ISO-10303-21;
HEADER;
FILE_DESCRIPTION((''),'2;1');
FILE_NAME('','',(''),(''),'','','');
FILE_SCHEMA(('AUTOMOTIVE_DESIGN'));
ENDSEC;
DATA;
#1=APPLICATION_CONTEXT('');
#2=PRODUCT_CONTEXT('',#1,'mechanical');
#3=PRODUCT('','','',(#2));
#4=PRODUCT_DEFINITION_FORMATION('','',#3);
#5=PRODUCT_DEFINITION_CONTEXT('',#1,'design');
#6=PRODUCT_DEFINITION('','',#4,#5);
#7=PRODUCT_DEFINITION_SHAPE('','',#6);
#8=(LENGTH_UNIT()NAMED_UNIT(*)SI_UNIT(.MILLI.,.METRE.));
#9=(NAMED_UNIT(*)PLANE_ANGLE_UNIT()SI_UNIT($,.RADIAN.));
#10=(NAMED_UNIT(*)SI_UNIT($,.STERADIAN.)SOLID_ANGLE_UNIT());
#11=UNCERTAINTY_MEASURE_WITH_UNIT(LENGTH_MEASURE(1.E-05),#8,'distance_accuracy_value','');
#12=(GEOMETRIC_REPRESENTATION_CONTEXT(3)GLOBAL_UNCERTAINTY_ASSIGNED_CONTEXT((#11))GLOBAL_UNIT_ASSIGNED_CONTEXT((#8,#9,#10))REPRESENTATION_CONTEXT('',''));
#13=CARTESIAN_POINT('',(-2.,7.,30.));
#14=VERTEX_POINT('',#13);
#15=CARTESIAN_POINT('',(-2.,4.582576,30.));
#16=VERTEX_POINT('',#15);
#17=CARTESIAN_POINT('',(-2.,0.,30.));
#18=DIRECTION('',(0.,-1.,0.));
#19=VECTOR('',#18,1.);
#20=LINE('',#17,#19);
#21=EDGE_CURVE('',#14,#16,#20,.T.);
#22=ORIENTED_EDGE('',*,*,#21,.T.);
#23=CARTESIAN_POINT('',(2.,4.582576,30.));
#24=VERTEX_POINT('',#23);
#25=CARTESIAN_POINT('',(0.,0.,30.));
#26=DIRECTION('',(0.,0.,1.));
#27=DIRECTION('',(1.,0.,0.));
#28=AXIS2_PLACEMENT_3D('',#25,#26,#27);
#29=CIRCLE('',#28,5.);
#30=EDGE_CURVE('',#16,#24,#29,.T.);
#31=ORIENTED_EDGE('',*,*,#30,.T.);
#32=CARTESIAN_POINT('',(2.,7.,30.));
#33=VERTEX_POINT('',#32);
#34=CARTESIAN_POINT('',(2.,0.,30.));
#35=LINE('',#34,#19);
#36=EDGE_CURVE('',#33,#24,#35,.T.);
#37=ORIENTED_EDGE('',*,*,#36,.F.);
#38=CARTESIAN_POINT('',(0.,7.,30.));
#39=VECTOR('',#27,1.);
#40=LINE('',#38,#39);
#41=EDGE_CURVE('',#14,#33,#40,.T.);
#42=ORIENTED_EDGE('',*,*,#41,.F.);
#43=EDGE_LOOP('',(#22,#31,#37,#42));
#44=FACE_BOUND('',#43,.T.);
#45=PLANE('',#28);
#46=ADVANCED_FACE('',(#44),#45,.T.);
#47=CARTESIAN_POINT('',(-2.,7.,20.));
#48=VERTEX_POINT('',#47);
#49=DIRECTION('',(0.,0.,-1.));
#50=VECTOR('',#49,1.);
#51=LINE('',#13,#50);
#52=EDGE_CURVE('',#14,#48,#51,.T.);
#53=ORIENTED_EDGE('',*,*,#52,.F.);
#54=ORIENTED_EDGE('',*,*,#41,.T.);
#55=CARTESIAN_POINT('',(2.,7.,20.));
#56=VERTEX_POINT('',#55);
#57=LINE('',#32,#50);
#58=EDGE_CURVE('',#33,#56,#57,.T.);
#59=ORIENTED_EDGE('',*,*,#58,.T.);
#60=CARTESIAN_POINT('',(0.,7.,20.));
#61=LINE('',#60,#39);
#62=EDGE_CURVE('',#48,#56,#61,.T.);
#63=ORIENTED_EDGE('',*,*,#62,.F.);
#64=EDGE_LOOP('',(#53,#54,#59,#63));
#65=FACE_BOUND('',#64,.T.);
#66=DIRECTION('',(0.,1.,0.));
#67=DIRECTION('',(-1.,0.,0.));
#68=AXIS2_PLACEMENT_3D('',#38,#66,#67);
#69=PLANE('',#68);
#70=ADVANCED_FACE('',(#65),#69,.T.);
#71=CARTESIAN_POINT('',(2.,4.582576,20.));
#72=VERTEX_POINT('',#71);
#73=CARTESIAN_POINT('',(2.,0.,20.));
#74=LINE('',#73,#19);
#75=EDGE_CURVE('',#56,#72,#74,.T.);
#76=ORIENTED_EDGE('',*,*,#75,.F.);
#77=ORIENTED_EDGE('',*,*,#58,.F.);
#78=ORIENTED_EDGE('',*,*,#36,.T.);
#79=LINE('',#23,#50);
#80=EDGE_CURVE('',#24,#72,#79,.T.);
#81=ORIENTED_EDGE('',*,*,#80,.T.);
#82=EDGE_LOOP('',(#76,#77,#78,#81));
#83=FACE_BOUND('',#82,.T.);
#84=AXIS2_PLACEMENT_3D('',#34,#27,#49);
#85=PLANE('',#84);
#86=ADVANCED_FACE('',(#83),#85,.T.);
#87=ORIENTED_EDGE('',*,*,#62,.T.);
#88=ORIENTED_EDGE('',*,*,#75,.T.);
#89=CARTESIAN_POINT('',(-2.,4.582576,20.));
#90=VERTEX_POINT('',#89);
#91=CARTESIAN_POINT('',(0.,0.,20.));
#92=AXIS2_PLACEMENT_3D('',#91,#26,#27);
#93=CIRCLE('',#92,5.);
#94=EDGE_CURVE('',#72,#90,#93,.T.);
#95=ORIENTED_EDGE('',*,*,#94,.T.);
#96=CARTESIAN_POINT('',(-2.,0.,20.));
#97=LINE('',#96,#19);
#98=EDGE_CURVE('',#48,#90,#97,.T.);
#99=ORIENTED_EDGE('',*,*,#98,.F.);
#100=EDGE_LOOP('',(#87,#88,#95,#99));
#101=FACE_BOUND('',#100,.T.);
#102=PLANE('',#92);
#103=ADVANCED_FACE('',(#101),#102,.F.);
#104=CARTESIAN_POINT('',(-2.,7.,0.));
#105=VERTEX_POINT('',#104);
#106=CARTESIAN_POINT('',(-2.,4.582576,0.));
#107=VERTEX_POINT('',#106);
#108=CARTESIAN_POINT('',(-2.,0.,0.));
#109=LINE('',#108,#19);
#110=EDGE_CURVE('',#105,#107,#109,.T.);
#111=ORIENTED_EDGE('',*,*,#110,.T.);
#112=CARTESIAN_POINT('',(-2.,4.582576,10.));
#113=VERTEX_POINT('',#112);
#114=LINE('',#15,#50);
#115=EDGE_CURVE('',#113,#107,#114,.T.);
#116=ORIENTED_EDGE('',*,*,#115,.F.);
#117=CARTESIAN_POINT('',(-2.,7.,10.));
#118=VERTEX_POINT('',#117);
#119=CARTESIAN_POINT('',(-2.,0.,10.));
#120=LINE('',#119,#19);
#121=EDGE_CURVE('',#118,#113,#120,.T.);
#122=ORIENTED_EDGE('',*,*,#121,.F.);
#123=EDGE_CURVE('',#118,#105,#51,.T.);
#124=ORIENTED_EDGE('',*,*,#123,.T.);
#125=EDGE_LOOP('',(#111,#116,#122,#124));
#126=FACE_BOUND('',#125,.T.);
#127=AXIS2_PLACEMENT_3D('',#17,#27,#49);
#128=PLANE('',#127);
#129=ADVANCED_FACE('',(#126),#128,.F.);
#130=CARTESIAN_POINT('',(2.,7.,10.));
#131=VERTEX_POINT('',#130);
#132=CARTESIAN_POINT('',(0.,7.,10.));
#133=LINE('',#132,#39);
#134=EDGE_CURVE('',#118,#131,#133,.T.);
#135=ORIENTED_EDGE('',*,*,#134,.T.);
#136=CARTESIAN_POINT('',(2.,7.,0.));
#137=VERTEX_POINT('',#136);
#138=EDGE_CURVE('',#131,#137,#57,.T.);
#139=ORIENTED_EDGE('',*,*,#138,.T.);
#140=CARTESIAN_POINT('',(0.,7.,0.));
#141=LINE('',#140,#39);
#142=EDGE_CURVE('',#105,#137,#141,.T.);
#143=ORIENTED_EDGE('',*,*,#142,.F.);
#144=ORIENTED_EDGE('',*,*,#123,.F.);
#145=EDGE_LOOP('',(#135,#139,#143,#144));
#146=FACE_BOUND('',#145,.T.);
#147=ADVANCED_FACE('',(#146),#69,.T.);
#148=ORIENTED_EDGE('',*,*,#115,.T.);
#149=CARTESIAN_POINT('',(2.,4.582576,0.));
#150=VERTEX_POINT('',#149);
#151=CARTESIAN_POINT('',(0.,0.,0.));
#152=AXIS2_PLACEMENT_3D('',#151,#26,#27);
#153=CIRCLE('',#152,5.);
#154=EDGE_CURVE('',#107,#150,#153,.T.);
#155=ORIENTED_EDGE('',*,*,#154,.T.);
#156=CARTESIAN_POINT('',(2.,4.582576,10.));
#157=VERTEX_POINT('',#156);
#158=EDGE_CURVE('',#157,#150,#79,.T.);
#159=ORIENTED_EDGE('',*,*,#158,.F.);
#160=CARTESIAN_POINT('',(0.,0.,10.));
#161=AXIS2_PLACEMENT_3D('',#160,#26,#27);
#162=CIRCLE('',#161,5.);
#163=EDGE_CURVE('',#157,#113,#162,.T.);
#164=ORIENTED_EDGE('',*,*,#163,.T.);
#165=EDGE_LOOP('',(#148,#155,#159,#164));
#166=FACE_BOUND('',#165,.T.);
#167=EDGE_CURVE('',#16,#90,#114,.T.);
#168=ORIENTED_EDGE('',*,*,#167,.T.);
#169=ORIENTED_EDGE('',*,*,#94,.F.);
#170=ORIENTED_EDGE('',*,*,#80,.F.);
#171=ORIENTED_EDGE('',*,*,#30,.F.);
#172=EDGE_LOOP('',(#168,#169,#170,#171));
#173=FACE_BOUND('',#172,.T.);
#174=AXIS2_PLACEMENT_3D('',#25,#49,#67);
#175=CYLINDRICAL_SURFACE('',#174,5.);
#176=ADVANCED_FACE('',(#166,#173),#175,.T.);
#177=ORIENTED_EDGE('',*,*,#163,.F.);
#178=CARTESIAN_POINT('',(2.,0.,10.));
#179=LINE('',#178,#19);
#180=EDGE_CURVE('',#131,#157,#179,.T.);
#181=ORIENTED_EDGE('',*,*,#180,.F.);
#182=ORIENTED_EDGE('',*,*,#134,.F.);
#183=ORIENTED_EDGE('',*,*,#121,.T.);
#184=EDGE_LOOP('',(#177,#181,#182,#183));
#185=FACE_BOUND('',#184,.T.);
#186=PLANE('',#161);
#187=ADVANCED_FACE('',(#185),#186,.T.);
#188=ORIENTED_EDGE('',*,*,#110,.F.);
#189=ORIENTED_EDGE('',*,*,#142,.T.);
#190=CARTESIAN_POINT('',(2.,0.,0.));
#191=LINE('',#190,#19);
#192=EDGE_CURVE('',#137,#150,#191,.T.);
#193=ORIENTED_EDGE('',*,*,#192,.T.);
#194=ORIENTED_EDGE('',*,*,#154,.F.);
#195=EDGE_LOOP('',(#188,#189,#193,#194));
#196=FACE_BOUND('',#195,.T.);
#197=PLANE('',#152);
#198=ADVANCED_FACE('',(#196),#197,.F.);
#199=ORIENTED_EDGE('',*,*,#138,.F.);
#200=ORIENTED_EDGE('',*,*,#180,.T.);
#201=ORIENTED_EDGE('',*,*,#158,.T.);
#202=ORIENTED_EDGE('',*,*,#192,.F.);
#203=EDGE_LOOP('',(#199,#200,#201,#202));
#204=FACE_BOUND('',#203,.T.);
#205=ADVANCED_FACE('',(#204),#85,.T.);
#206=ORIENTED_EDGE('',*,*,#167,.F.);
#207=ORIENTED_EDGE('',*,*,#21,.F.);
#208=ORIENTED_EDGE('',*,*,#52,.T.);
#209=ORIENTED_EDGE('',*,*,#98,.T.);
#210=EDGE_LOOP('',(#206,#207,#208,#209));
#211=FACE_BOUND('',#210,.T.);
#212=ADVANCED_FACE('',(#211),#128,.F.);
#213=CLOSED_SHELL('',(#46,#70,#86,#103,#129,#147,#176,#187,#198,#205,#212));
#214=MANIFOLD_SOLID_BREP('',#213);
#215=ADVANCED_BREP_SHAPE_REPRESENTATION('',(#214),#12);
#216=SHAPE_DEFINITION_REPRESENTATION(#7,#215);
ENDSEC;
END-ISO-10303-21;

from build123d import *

# Parameters (mm, degrees)
BOSS_EXTRUDE1_DEPTH = 30
CUT_EXTRUDE1_START  = -20
SKETCH2_R           = 10
SKETCH2_R_2         = 5
CUT_EXTRUDE1_DEPTH  = 10


with BuildPart() as part:
    # Sketch1 → Boss-Extrude1 (new body)
    with BuildSketch(Plane.XY):
        with BuildLine():
            Line((2, 7), (-2, 7))
            Line((-2, 7), (-2, 4.582575695))
            ThreePointArc((-2, 4.582575695), (0, -5), (2, 4.582575695))
            Line((2, 4.582575695), (2, 7))
        make_face()
    extrude(amount=BOSS_EXTRUDE1_DEPTH)

    # Sketch2 → Cut-Extrude1 (cut)
    with BuildSketch(Plane.XY.offset(30).offset(CUT_EXTRUDE1_START)):
        Circle(SKETCH2_R)
        Circle(SKETCH2_R_2, mode=Mode.SUBTRACT)
    extrude(amount=CUT_EXTRUDE1_DEPTH, mode=Mode.SUBTRACT)


solid = part.part
